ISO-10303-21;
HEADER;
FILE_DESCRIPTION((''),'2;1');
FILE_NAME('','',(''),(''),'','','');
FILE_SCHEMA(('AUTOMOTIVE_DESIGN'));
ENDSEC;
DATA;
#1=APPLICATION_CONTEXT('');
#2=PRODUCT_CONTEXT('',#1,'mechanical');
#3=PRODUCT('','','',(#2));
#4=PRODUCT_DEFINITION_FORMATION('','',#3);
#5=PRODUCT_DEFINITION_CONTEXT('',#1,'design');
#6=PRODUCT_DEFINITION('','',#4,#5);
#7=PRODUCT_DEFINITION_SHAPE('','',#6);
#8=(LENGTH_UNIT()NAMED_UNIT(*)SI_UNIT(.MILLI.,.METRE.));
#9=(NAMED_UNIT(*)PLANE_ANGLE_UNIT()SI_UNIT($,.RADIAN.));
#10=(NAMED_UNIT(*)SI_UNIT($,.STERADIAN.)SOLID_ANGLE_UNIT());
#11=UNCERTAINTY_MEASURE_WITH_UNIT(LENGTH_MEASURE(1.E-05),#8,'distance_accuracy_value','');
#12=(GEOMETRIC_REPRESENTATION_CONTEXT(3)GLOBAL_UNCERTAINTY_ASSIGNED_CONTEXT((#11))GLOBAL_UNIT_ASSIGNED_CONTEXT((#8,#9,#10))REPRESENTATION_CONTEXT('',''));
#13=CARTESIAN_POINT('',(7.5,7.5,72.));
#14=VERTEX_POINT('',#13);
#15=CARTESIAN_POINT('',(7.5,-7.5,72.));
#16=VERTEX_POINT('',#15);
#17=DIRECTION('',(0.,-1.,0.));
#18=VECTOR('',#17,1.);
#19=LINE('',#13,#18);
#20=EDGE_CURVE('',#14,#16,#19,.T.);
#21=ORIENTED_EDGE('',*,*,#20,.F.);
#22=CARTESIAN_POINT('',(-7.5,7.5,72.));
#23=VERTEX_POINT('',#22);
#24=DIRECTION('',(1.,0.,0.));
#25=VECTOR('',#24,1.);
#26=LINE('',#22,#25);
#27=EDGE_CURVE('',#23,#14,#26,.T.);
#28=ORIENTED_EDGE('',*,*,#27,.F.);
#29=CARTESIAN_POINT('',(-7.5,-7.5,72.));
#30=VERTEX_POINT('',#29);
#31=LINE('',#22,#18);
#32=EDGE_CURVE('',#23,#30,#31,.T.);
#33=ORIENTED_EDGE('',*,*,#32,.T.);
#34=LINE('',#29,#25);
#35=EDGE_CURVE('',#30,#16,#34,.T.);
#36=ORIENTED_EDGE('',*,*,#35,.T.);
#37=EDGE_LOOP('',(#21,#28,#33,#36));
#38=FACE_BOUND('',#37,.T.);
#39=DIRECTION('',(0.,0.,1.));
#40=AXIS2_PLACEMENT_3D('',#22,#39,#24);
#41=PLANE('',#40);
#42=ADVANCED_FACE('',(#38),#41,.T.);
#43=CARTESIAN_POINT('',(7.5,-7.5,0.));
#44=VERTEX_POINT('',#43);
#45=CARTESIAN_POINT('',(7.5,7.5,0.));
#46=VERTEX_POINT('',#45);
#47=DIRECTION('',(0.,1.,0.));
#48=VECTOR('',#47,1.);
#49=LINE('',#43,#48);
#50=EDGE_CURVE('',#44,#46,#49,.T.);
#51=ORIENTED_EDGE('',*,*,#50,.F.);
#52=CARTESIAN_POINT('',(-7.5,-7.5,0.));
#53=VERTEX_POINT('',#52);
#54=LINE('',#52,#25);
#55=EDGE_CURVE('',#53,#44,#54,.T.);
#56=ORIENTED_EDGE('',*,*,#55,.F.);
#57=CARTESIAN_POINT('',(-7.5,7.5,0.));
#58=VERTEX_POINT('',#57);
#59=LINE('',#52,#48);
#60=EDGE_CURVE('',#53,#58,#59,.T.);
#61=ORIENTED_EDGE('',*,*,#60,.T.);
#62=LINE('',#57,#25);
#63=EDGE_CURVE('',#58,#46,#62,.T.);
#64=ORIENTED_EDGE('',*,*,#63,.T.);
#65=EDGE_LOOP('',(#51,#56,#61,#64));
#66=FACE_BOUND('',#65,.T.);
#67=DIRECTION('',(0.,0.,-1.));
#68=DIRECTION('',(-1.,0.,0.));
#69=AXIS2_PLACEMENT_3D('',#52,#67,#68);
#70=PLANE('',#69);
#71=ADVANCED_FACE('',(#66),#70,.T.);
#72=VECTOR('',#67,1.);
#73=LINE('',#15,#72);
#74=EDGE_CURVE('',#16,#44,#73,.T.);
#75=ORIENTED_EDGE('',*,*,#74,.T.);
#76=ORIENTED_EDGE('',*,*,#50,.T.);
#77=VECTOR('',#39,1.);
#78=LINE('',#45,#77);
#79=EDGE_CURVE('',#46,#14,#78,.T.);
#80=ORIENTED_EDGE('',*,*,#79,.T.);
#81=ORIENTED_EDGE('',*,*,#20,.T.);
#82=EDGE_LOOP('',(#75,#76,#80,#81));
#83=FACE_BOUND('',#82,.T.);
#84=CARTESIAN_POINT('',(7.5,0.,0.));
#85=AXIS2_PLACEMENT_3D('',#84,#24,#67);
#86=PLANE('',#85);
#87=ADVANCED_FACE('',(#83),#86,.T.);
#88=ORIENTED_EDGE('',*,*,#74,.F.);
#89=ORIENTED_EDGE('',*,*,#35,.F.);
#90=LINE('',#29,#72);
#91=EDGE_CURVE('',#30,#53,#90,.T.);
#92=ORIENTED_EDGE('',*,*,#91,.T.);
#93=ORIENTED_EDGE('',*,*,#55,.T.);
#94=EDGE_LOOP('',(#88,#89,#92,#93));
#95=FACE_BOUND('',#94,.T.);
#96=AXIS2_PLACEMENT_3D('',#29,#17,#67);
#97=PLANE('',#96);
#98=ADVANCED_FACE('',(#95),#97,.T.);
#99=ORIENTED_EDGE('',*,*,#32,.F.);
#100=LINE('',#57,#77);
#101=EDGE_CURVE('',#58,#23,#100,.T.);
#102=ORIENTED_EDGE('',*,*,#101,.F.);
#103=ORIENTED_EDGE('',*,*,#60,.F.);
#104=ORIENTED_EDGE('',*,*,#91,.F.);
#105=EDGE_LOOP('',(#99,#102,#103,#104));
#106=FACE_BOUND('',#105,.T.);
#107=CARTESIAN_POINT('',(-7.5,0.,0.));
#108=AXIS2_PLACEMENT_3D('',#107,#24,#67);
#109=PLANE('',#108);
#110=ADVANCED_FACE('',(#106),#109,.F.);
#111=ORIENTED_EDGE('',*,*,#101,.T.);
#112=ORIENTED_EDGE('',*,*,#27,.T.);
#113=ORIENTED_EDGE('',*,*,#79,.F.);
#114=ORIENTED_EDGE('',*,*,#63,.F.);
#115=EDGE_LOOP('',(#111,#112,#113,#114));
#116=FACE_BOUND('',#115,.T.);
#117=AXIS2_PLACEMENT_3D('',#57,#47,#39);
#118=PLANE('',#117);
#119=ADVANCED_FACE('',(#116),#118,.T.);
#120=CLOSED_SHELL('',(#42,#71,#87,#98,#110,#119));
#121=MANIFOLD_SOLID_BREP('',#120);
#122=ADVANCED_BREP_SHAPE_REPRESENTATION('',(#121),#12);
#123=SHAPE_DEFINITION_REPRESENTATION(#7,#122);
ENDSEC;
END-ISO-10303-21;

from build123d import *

# Parameters (mm, degrees)
SKETCH1_W           = 72
SKETCH1_H           = 15
BOSS_EXTRUDE1_DEPTH = 15


with BuildPart() as part:
    # Sketch1 → Boss-Extrude1 (new body)
    with BuildSketch(Plane(origin=(7.5, 0, 0), x_dir=(0, 0, -1), z_dir=(1, 0, 0))):
        with Locations((-36, 0)):
            Rectangle(SKETCH1_W, SKETCH1_H)
    extrude(amount=-BOSS_EXTRUDE1_DEPTH)


solid = part.part
